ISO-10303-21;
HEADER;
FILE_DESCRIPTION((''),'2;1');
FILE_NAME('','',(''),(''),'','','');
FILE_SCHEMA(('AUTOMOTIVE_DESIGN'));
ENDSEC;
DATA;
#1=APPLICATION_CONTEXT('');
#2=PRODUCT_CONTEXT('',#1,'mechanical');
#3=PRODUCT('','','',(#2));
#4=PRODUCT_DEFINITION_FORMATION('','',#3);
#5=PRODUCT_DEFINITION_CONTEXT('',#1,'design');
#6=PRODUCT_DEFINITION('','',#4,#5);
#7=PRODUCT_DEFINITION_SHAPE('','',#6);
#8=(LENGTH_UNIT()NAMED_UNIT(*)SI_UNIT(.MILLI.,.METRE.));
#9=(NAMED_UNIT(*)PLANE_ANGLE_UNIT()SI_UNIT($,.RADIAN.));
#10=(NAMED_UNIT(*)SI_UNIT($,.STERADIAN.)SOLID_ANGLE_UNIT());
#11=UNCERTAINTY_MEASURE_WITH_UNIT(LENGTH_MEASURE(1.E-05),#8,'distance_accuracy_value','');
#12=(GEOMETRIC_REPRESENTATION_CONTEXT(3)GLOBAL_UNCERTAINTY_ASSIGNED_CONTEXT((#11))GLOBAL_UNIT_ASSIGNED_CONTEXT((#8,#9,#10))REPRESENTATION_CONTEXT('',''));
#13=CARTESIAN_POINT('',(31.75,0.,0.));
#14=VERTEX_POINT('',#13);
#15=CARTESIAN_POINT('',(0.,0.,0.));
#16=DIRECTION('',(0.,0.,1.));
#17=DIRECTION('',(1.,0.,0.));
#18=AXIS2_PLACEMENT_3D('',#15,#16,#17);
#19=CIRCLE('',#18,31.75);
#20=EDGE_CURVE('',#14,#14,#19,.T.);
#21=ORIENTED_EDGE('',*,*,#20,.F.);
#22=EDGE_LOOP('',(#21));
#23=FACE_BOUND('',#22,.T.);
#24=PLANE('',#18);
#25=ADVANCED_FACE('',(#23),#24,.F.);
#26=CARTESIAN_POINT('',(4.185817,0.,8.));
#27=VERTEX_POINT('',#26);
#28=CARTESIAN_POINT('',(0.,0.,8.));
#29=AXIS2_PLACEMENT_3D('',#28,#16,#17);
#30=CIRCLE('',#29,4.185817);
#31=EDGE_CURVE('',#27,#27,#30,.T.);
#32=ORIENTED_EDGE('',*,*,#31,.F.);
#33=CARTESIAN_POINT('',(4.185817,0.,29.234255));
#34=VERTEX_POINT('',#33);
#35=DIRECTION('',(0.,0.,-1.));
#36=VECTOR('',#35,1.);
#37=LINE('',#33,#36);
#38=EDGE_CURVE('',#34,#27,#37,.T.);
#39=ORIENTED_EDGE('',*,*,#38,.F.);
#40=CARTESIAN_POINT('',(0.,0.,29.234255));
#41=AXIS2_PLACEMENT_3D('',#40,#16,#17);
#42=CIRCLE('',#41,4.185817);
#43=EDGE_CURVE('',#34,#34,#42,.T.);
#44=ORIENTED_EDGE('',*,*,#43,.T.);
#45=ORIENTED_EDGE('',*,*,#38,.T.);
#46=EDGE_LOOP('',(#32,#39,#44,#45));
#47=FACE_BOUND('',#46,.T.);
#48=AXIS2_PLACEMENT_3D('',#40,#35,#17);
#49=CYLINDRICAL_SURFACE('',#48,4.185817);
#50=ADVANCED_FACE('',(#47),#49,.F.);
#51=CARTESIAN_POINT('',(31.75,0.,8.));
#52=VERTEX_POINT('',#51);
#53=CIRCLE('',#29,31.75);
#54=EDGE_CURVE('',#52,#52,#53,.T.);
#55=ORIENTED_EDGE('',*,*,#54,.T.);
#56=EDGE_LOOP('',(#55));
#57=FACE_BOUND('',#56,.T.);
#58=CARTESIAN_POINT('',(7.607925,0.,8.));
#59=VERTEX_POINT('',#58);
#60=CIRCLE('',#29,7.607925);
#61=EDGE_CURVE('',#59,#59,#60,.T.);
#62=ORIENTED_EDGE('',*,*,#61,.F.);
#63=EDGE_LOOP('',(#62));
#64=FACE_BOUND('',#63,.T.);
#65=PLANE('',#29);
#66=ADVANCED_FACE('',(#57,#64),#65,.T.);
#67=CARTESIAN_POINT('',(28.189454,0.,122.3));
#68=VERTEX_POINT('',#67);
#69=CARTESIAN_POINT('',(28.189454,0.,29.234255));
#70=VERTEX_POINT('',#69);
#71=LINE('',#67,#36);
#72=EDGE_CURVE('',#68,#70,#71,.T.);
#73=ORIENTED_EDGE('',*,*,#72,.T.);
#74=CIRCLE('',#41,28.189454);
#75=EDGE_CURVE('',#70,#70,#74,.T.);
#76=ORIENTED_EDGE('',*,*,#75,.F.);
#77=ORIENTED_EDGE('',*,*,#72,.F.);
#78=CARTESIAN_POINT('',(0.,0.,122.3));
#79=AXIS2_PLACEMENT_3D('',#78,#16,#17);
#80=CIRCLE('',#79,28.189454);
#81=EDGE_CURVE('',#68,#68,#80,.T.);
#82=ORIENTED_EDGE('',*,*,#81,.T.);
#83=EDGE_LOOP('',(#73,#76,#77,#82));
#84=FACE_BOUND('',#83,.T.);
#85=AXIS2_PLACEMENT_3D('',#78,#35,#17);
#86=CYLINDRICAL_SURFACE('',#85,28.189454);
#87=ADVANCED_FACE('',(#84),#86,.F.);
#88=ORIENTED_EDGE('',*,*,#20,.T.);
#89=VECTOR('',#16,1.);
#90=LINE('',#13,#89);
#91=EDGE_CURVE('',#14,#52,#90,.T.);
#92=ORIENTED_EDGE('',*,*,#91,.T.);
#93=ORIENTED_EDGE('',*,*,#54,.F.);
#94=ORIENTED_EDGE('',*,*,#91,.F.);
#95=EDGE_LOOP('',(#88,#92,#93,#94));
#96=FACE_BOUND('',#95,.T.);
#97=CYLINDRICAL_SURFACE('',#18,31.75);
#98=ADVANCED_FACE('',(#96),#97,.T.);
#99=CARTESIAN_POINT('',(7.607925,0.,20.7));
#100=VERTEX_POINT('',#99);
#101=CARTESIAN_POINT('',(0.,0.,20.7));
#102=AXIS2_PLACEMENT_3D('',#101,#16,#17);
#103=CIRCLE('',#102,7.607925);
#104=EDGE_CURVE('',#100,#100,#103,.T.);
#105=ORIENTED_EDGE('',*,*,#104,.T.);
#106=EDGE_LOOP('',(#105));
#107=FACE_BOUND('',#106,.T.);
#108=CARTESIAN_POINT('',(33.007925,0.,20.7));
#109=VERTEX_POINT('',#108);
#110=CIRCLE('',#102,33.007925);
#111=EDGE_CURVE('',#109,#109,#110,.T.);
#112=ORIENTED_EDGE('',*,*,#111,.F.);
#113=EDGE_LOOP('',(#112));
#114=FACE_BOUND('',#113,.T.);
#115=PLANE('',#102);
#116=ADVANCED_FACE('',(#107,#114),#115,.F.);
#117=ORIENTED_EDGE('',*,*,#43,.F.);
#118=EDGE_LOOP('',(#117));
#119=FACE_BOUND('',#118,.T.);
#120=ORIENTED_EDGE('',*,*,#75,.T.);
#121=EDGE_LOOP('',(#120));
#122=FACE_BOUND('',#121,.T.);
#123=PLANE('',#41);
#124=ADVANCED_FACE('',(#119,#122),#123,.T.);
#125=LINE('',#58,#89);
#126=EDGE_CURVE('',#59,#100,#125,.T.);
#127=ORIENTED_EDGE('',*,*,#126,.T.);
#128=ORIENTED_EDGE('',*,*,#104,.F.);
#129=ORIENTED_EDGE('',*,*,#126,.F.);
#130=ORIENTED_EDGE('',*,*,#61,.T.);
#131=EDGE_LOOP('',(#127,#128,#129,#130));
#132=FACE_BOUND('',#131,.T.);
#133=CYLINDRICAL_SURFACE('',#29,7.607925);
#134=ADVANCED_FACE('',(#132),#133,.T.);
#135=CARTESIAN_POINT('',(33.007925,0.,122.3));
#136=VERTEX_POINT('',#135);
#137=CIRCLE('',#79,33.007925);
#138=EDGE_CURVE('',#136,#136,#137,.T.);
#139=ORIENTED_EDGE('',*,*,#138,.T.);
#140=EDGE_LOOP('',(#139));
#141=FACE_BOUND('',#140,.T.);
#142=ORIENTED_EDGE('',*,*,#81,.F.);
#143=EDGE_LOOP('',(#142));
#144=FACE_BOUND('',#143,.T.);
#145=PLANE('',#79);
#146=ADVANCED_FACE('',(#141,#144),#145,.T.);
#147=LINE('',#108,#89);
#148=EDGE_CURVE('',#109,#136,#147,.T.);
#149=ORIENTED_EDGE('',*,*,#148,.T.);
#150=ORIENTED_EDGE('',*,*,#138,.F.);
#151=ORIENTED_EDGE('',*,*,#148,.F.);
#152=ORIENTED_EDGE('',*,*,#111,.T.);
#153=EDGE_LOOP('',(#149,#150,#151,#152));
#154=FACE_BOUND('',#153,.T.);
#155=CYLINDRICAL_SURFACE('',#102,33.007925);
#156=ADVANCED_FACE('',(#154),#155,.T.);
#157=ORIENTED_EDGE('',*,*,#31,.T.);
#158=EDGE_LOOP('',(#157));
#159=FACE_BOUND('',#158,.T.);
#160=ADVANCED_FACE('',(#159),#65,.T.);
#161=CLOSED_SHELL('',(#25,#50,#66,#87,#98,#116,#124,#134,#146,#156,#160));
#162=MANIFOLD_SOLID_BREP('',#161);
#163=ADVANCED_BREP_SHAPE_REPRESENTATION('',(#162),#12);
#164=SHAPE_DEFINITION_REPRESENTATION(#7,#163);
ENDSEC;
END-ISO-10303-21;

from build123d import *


with BuildPart() as f1:
    # F0 (on Front) → F1 (revolve)
    with BuildSketch(Plane.XZ):
        Polygon((0, 8), (0, 0), (31.75, 0), (31.75, 8), (7.607925, 8), (4.185817, 8), align=None)
        Polygon((4.185817, 29.234255), (4.185817, 8), (7.607925, 8), (7.607925, 20.7), (33.007925, 20.7), (33.007925, 122.3), (28.189454, 122.3), (28.189454, 29.234255), align=None)
    revolve(axis=Axis((0, 0, 4), (0, 0, 1)))


solid = f1.part
